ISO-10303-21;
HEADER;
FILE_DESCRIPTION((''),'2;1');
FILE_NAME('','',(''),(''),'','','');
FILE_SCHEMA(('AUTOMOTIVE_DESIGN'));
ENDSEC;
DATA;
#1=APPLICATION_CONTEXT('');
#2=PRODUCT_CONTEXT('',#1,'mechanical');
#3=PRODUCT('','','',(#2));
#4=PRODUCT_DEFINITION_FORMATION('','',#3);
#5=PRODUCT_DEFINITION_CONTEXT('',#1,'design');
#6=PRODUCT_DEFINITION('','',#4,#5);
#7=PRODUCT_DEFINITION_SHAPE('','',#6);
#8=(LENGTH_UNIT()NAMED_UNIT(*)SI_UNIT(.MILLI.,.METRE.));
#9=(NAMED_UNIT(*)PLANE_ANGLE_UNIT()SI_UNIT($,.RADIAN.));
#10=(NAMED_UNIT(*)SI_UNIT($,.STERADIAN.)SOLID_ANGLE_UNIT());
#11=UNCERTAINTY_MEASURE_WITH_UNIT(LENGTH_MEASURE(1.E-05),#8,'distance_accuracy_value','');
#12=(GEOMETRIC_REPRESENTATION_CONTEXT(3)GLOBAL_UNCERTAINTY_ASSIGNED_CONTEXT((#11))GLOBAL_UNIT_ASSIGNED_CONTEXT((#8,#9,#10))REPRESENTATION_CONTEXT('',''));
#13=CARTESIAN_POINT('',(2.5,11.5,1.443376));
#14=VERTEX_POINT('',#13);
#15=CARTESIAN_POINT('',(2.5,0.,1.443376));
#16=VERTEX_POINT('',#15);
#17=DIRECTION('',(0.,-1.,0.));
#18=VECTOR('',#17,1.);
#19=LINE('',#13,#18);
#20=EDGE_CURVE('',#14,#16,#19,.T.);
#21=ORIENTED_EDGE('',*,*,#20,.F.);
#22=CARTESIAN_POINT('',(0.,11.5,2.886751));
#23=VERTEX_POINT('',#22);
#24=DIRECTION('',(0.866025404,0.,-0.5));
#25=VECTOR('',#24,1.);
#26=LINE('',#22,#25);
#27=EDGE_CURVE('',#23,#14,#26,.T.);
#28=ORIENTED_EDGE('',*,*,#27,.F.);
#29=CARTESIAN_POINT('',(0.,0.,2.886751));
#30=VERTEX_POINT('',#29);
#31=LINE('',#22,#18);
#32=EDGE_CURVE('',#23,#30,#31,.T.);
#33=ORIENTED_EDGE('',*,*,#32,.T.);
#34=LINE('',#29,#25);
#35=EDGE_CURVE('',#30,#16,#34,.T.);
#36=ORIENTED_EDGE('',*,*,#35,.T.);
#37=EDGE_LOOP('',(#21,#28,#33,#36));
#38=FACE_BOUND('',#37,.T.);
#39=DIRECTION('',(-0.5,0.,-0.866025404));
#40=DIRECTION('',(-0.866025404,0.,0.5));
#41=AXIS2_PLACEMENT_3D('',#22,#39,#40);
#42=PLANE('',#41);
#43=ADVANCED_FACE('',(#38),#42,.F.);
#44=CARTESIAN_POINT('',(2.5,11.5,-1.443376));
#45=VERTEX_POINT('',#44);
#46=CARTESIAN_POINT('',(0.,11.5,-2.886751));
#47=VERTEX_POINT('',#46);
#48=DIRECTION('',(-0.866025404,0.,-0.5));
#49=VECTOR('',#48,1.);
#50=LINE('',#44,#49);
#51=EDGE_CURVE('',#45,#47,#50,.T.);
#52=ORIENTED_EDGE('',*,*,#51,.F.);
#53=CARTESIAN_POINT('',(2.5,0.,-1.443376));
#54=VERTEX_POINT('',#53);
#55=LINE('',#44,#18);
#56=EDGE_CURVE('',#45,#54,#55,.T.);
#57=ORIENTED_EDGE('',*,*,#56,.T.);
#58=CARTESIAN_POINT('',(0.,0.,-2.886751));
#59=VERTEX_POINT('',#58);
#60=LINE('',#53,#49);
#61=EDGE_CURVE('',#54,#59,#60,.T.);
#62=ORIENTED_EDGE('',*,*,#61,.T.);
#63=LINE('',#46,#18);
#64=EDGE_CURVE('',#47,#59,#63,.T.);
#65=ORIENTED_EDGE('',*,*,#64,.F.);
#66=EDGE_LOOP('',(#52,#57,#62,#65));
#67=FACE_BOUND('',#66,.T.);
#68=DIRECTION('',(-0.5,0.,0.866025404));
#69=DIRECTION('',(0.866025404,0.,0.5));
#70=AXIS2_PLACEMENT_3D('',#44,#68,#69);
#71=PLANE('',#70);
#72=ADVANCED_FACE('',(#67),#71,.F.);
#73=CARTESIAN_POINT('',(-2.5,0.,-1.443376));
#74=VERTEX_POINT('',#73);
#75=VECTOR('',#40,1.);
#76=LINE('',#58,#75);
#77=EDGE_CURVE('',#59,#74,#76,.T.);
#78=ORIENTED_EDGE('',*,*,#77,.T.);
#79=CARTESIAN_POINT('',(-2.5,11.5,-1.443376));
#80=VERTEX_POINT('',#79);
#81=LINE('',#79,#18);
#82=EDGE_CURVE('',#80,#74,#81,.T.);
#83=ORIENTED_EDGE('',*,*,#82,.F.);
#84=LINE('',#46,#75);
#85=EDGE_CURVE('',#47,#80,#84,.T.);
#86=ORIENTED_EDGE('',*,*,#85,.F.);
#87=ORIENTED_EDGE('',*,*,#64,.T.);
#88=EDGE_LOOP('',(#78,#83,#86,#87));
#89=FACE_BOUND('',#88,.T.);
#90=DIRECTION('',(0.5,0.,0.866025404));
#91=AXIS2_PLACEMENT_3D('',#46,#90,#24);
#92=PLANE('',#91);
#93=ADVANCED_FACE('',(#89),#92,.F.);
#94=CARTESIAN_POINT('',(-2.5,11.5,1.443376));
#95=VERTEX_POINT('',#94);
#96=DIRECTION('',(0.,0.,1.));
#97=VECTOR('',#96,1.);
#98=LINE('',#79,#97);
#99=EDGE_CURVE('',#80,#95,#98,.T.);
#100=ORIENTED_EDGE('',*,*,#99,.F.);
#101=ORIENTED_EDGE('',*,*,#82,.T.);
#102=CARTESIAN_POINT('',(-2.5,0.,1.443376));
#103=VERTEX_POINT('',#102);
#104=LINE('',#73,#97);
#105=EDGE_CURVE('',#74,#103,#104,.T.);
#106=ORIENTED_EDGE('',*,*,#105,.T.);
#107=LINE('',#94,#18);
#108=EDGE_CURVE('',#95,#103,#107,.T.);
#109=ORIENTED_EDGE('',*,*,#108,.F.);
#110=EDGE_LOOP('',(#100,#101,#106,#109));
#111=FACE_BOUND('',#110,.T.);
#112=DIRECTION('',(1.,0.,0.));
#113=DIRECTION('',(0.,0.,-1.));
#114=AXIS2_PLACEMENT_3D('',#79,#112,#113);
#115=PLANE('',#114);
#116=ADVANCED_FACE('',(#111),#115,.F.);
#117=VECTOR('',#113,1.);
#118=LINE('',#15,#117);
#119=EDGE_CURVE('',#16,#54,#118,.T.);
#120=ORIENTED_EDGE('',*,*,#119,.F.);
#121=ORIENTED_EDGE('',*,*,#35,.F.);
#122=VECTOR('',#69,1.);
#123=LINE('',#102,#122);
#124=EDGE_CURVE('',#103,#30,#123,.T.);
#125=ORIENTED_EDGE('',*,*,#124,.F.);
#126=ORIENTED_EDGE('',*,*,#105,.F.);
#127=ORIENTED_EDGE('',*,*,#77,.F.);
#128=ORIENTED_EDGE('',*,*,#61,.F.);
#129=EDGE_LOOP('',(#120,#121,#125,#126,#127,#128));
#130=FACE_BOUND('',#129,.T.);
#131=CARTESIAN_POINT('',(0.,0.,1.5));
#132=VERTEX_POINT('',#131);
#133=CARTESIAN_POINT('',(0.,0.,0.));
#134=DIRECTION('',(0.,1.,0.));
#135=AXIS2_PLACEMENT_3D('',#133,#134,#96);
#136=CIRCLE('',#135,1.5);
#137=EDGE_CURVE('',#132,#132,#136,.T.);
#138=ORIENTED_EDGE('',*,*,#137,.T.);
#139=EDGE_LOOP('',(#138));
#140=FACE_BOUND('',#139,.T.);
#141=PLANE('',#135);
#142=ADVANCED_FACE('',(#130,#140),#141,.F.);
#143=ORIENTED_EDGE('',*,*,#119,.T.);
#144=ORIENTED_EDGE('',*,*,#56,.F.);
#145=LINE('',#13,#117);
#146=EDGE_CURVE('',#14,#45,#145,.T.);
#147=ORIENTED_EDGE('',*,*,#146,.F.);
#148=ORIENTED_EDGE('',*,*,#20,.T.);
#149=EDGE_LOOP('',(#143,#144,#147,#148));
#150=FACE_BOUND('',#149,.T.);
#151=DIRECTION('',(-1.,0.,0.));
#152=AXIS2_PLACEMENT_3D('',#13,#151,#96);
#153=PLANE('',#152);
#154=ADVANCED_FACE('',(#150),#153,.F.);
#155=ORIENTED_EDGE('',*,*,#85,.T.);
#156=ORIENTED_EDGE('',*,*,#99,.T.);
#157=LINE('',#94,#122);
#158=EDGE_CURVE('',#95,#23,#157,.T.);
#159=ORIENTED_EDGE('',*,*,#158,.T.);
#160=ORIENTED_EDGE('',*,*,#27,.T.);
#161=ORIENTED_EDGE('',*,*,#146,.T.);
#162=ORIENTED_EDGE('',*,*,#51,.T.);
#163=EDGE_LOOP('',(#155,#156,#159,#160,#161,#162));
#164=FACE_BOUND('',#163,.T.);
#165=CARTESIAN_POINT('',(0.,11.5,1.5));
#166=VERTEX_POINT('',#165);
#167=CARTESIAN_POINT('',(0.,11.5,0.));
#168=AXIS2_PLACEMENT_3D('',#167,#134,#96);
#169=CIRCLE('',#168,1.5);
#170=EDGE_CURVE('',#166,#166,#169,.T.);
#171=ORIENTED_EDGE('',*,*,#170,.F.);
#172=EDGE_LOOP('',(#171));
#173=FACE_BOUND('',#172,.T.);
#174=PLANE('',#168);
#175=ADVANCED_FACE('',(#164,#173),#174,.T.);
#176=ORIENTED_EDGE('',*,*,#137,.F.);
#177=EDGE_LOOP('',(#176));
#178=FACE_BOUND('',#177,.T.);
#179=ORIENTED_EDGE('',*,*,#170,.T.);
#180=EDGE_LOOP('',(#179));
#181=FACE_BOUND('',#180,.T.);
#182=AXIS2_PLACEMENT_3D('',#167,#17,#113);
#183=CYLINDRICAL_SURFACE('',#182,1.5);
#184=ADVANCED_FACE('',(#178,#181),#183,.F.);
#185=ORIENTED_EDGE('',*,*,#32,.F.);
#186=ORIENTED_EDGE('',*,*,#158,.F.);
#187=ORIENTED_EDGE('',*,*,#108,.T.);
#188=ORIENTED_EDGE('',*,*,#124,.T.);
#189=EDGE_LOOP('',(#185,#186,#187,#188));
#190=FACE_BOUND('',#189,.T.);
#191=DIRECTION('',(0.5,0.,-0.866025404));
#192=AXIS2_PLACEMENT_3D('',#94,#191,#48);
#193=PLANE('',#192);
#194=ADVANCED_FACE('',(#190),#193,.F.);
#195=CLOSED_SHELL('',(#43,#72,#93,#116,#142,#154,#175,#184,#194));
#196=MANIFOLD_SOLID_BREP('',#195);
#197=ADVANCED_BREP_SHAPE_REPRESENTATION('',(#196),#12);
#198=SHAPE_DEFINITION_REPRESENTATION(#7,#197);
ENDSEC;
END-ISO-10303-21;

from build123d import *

# Parameters (mm, degrees)
SKETCH_1_R      = 1.5
EXTRUDE_1_DEPTH = 11.5


with BuildPart() as part:
    # Эскиз1 → Бобышка-Вытянуть1 (new body)
    with BuildSketch(Plane(origin=(0, 0, 0), x_dir=(1, 0, 0), z_dir=(0, 1, 0))):
        Polygon((0, -2.886751346), (2.5, -1.443375673), (2.5, 1.443375673), (0, 2.886751346), (-2.5, 1.443375673), (-2.5, -1.443375673), align=None)
        Circle(SKETCH_1_R, mode=Mode.SUBTRACT)
    extrude(amount=EXTRUDE_1_DEPTH)


solid = part.part
